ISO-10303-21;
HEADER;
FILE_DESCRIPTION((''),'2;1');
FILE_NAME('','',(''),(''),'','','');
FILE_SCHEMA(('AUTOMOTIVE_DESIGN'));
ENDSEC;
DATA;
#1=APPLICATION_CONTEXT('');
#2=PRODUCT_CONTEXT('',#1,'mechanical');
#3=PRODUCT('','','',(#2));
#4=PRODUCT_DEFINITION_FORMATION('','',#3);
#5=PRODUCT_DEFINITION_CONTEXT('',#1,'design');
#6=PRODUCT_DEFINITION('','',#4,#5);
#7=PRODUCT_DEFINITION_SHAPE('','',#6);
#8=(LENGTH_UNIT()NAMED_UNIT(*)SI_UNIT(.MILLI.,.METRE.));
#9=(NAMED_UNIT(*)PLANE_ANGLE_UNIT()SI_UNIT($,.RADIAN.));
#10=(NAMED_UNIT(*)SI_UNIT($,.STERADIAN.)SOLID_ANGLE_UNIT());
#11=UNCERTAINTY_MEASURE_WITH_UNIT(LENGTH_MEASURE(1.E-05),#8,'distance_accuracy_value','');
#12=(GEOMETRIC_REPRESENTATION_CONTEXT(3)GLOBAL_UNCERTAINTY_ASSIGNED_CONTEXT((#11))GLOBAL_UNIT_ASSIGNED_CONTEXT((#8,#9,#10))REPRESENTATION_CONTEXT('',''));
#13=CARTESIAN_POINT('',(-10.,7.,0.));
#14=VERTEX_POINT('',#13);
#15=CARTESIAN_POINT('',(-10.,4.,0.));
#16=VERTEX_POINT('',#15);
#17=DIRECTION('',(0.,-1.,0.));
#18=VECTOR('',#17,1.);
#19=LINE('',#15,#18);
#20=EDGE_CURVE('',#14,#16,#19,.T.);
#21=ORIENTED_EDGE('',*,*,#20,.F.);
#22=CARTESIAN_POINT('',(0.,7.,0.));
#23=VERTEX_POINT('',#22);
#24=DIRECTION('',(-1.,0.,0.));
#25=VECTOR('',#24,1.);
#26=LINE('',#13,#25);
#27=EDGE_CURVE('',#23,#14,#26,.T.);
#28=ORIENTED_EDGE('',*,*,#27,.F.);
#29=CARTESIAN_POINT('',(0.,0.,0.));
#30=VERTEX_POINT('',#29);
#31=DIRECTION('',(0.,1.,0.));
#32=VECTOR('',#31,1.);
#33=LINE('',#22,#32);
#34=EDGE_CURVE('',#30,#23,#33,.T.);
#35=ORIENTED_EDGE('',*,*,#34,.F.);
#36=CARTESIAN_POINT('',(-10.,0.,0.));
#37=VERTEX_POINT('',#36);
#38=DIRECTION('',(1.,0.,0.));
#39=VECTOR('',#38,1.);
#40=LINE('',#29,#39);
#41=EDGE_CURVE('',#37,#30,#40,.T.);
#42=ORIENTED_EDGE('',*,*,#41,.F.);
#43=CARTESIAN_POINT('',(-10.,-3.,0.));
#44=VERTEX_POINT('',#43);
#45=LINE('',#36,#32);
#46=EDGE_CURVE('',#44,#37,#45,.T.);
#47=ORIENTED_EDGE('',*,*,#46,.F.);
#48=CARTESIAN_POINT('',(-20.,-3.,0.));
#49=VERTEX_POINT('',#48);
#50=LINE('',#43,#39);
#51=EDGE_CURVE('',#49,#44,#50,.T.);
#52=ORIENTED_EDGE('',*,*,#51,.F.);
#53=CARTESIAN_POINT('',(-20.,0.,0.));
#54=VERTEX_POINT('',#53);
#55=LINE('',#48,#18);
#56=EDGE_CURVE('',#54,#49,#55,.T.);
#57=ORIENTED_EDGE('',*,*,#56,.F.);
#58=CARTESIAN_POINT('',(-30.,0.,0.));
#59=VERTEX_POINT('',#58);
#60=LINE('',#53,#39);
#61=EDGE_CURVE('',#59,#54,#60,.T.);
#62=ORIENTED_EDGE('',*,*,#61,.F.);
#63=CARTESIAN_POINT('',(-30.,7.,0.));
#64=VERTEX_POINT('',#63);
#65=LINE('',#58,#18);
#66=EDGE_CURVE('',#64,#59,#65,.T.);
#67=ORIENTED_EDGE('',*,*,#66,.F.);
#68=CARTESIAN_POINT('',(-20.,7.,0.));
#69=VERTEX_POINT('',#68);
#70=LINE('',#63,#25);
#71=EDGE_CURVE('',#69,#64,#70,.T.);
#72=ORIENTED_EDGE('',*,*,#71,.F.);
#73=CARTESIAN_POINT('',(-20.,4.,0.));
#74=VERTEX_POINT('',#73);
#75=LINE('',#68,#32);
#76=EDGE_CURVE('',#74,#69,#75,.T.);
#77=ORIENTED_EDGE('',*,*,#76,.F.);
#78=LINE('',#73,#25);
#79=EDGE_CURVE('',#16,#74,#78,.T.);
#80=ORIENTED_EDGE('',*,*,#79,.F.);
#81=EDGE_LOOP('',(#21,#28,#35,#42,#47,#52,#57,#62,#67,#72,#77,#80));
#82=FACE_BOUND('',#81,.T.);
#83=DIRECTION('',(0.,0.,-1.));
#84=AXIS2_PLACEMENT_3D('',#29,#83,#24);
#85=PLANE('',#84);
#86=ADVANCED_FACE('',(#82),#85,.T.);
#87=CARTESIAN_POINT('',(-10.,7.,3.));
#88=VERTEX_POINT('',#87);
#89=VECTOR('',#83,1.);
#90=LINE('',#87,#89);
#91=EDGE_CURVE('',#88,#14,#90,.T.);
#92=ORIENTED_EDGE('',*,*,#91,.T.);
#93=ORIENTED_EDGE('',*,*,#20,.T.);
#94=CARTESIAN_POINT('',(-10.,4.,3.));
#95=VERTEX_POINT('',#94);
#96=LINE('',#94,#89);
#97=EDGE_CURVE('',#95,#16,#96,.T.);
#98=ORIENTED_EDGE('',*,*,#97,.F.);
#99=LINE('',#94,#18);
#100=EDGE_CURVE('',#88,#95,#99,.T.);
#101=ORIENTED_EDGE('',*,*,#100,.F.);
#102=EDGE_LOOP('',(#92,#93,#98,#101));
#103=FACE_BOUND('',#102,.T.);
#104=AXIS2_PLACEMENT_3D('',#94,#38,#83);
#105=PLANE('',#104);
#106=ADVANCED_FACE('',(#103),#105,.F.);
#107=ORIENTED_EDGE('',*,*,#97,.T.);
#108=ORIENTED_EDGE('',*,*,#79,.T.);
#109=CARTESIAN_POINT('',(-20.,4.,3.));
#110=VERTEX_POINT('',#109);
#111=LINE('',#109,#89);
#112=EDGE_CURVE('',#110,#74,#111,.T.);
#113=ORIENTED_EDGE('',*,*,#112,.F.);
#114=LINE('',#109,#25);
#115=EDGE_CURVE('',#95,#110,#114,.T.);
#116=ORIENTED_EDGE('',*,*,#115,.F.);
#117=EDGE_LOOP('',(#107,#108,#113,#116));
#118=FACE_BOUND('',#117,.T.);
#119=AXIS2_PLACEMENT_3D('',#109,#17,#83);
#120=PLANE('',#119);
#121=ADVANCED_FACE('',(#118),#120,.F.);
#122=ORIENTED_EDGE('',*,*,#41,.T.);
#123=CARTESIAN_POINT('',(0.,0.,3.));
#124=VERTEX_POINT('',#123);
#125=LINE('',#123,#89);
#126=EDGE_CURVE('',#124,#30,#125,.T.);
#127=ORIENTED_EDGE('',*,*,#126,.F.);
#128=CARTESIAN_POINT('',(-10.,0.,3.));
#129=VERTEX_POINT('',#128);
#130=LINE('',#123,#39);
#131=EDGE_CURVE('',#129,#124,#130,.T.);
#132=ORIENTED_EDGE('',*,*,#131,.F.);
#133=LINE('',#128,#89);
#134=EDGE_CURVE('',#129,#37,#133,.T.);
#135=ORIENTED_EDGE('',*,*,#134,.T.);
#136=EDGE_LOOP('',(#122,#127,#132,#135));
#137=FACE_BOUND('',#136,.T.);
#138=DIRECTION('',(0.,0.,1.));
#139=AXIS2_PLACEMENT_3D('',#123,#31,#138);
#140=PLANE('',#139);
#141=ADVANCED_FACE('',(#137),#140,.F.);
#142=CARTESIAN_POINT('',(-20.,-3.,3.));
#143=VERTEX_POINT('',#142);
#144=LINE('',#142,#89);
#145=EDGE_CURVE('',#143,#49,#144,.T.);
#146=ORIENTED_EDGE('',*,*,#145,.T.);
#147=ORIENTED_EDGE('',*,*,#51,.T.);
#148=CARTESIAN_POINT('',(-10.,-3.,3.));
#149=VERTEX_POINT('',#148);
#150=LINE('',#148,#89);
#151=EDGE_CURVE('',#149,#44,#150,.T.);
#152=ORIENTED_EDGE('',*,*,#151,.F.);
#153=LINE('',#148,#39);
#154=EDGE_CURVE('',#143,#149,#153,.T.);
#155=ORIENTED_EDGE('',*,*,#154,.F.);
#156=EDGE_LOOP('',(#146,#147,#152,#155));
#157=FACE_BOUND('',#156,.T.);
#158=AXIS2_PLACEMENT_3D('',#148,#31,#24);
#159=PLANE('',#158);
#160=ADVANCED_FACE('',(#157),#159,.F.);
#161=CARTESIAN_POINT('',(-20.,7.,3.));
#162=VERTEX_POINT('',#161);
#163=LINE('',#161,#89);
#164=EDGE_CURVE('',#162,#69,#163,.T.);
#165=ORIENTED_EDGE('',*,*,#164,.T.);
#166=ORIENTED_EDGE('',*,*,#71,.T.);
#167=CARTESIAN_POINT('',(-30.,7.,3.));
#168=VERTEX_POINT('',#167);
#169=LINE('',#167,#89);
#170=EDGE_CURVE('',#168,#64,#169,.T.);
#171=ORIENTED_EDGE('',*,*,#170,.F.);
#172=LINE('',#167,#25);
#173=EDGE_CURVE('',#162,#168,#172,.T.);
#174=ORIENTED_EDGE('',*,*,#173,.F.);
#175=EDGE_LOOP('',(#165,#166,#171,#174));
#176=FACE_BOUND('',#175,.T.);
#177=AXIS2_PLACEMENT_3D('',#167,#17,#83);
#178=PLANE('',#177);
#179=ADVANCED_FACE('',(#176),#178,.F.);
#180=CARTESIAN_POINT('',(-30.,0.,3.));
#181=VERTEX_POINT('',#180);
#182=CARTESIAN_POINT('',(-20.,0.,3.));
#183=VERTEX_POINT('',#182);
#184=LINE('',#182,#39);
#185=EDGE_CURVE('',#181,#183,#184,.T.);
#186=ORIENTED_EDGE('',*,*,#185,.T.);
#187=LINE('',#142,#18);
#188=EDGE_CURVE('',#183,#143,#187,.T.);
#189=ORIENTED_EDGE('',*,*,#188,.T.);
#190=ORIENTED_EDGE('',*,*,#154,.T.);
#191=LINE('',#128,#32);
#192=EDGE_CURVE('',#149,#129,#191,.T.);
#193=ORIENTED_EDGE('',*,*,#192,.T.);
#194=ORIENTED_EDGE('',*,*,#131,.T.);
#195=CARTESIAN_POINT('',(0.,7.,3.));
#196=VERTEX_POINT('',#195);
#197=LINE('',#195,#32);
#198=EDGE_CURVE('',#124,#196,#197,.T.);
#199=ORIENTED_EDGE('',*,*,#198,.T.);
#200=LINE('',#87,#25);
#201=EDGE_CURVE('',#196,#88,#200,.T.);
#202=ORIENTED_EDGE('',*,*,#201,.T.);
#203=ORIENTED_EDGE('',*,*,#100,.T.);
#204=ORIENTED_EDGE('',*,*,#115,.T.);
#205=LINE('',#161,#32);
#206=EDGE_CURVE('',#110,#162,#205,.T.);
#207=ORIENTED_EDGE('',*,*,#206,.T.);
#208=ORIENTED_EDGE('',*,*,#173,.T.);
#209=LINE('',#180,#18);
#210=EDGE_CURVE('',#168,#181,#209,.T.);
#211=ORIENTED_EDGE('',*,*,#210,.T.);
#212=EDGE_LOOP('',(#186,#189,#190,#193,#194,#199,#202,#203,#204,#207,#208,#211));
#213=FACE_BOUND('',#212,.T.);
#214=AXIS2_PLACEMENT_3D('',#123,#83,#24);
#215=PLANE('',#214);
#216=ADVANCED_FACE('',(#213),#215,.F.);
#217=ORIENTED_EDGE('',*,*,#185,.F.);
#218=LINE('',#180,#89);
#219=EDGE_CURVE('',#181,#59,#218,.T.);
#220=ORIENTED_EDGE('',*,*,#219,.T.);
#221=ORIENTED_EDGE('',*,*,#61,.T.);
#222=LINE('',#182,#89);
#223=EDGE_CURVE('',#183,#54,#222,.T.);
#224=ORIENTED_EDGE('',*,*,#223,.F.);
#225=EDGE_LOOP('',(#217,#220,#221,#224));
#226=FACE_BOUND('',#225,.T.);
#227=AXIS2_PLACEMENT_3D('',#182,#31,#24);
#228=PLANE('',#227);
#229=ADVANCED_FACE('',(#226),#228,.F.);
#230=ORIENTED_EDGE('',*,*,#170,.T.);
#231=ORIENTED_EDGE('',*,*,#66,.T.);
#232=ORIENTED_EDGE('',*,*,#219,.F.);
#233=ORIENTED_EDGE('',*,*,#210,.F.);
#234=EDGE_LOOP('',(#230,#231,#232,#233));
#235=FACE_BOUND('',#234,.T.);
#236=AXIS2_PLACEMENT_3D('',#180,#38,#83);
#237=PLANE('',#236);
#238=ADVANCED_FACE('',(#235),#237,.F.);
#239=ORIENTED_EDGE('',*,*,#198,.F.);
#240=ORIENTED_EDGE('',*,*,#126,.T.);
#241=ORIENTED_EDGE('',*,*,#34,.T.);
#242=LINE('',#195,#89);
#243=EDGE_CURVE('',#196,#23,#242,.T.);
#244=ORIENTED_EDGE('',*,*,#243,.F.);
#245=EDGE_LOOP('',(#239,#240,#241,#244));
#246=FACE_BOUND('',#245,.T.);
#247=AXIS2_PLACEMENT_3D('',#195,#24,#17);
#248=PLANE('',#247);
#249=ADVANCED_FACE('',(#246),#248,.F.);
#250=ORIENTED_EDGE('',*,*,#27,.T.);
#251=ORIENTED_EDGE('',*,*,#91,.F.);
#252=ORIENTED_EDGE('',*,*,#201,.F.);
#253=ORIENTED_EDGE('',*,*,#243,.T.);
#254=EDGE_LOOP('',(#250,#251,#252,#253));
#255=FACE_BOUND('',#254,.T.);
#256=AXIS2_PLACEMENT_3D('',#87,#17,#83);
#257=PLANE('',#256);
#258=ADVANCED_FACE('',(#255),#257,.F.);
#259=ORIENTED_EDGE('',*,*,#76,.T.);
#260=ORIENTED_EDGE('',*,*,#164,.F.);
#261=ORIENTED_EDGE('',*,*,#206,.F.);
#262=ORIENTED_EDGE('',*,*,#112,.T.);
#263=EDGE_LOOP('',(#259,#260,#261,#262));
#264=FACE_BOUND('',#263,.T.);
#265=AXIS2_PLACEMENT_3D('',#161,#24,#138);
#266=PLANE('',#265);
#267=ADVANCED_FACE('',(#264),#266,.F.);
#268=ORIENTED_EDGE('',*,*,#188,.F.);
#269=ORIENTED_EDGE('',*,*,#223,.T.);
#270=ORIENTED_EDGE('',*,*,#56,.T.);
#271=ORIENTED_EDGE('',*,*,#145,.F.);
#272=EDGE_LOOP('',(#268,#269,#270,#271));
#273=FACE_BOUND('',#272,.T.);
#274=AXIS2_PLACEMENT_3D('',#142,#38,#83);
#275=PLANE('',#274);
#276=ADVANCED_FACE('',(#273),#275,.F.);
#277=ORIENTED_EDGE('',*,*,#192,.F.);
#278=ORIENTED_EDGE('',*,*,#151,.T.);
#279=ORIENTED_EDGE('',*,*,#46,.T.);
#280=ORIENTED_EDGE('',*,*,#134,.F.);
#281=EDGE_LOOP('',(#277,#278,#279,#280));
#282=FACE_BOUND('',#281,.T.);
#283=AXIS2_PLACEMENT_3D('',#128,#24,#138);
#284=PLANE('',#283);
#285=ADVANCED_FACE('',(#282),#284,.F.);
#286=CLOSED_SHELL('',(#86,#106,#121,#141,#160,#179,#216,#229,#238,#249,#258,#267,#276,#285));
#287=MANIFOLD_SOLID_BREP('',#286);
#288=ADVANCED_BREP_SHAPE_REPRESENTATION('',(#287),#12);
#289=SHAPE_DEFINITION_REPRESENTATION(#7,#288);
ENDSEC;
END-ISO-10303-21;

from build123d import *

# Parameters (mm, degrees)
BOSS_EXTRUDE1_DEPTH = 3


with BuildPart() as part:
    # Sketch1 → Boss-Extrude1 (new body)
    with BuildSketch(Plane.XY):
        Polygon((0, 0), (-10, 0), (-10, -3), (-20, -3), (-20, 0), (-30, 0), (-30, 7), (-20, 7), (-20, 4), (-10, 4), (-10, 7), (0, 7), align=None)
    extrude(amount=BOSS_EXTRUDE1_DEPTH)


solid = part.part
